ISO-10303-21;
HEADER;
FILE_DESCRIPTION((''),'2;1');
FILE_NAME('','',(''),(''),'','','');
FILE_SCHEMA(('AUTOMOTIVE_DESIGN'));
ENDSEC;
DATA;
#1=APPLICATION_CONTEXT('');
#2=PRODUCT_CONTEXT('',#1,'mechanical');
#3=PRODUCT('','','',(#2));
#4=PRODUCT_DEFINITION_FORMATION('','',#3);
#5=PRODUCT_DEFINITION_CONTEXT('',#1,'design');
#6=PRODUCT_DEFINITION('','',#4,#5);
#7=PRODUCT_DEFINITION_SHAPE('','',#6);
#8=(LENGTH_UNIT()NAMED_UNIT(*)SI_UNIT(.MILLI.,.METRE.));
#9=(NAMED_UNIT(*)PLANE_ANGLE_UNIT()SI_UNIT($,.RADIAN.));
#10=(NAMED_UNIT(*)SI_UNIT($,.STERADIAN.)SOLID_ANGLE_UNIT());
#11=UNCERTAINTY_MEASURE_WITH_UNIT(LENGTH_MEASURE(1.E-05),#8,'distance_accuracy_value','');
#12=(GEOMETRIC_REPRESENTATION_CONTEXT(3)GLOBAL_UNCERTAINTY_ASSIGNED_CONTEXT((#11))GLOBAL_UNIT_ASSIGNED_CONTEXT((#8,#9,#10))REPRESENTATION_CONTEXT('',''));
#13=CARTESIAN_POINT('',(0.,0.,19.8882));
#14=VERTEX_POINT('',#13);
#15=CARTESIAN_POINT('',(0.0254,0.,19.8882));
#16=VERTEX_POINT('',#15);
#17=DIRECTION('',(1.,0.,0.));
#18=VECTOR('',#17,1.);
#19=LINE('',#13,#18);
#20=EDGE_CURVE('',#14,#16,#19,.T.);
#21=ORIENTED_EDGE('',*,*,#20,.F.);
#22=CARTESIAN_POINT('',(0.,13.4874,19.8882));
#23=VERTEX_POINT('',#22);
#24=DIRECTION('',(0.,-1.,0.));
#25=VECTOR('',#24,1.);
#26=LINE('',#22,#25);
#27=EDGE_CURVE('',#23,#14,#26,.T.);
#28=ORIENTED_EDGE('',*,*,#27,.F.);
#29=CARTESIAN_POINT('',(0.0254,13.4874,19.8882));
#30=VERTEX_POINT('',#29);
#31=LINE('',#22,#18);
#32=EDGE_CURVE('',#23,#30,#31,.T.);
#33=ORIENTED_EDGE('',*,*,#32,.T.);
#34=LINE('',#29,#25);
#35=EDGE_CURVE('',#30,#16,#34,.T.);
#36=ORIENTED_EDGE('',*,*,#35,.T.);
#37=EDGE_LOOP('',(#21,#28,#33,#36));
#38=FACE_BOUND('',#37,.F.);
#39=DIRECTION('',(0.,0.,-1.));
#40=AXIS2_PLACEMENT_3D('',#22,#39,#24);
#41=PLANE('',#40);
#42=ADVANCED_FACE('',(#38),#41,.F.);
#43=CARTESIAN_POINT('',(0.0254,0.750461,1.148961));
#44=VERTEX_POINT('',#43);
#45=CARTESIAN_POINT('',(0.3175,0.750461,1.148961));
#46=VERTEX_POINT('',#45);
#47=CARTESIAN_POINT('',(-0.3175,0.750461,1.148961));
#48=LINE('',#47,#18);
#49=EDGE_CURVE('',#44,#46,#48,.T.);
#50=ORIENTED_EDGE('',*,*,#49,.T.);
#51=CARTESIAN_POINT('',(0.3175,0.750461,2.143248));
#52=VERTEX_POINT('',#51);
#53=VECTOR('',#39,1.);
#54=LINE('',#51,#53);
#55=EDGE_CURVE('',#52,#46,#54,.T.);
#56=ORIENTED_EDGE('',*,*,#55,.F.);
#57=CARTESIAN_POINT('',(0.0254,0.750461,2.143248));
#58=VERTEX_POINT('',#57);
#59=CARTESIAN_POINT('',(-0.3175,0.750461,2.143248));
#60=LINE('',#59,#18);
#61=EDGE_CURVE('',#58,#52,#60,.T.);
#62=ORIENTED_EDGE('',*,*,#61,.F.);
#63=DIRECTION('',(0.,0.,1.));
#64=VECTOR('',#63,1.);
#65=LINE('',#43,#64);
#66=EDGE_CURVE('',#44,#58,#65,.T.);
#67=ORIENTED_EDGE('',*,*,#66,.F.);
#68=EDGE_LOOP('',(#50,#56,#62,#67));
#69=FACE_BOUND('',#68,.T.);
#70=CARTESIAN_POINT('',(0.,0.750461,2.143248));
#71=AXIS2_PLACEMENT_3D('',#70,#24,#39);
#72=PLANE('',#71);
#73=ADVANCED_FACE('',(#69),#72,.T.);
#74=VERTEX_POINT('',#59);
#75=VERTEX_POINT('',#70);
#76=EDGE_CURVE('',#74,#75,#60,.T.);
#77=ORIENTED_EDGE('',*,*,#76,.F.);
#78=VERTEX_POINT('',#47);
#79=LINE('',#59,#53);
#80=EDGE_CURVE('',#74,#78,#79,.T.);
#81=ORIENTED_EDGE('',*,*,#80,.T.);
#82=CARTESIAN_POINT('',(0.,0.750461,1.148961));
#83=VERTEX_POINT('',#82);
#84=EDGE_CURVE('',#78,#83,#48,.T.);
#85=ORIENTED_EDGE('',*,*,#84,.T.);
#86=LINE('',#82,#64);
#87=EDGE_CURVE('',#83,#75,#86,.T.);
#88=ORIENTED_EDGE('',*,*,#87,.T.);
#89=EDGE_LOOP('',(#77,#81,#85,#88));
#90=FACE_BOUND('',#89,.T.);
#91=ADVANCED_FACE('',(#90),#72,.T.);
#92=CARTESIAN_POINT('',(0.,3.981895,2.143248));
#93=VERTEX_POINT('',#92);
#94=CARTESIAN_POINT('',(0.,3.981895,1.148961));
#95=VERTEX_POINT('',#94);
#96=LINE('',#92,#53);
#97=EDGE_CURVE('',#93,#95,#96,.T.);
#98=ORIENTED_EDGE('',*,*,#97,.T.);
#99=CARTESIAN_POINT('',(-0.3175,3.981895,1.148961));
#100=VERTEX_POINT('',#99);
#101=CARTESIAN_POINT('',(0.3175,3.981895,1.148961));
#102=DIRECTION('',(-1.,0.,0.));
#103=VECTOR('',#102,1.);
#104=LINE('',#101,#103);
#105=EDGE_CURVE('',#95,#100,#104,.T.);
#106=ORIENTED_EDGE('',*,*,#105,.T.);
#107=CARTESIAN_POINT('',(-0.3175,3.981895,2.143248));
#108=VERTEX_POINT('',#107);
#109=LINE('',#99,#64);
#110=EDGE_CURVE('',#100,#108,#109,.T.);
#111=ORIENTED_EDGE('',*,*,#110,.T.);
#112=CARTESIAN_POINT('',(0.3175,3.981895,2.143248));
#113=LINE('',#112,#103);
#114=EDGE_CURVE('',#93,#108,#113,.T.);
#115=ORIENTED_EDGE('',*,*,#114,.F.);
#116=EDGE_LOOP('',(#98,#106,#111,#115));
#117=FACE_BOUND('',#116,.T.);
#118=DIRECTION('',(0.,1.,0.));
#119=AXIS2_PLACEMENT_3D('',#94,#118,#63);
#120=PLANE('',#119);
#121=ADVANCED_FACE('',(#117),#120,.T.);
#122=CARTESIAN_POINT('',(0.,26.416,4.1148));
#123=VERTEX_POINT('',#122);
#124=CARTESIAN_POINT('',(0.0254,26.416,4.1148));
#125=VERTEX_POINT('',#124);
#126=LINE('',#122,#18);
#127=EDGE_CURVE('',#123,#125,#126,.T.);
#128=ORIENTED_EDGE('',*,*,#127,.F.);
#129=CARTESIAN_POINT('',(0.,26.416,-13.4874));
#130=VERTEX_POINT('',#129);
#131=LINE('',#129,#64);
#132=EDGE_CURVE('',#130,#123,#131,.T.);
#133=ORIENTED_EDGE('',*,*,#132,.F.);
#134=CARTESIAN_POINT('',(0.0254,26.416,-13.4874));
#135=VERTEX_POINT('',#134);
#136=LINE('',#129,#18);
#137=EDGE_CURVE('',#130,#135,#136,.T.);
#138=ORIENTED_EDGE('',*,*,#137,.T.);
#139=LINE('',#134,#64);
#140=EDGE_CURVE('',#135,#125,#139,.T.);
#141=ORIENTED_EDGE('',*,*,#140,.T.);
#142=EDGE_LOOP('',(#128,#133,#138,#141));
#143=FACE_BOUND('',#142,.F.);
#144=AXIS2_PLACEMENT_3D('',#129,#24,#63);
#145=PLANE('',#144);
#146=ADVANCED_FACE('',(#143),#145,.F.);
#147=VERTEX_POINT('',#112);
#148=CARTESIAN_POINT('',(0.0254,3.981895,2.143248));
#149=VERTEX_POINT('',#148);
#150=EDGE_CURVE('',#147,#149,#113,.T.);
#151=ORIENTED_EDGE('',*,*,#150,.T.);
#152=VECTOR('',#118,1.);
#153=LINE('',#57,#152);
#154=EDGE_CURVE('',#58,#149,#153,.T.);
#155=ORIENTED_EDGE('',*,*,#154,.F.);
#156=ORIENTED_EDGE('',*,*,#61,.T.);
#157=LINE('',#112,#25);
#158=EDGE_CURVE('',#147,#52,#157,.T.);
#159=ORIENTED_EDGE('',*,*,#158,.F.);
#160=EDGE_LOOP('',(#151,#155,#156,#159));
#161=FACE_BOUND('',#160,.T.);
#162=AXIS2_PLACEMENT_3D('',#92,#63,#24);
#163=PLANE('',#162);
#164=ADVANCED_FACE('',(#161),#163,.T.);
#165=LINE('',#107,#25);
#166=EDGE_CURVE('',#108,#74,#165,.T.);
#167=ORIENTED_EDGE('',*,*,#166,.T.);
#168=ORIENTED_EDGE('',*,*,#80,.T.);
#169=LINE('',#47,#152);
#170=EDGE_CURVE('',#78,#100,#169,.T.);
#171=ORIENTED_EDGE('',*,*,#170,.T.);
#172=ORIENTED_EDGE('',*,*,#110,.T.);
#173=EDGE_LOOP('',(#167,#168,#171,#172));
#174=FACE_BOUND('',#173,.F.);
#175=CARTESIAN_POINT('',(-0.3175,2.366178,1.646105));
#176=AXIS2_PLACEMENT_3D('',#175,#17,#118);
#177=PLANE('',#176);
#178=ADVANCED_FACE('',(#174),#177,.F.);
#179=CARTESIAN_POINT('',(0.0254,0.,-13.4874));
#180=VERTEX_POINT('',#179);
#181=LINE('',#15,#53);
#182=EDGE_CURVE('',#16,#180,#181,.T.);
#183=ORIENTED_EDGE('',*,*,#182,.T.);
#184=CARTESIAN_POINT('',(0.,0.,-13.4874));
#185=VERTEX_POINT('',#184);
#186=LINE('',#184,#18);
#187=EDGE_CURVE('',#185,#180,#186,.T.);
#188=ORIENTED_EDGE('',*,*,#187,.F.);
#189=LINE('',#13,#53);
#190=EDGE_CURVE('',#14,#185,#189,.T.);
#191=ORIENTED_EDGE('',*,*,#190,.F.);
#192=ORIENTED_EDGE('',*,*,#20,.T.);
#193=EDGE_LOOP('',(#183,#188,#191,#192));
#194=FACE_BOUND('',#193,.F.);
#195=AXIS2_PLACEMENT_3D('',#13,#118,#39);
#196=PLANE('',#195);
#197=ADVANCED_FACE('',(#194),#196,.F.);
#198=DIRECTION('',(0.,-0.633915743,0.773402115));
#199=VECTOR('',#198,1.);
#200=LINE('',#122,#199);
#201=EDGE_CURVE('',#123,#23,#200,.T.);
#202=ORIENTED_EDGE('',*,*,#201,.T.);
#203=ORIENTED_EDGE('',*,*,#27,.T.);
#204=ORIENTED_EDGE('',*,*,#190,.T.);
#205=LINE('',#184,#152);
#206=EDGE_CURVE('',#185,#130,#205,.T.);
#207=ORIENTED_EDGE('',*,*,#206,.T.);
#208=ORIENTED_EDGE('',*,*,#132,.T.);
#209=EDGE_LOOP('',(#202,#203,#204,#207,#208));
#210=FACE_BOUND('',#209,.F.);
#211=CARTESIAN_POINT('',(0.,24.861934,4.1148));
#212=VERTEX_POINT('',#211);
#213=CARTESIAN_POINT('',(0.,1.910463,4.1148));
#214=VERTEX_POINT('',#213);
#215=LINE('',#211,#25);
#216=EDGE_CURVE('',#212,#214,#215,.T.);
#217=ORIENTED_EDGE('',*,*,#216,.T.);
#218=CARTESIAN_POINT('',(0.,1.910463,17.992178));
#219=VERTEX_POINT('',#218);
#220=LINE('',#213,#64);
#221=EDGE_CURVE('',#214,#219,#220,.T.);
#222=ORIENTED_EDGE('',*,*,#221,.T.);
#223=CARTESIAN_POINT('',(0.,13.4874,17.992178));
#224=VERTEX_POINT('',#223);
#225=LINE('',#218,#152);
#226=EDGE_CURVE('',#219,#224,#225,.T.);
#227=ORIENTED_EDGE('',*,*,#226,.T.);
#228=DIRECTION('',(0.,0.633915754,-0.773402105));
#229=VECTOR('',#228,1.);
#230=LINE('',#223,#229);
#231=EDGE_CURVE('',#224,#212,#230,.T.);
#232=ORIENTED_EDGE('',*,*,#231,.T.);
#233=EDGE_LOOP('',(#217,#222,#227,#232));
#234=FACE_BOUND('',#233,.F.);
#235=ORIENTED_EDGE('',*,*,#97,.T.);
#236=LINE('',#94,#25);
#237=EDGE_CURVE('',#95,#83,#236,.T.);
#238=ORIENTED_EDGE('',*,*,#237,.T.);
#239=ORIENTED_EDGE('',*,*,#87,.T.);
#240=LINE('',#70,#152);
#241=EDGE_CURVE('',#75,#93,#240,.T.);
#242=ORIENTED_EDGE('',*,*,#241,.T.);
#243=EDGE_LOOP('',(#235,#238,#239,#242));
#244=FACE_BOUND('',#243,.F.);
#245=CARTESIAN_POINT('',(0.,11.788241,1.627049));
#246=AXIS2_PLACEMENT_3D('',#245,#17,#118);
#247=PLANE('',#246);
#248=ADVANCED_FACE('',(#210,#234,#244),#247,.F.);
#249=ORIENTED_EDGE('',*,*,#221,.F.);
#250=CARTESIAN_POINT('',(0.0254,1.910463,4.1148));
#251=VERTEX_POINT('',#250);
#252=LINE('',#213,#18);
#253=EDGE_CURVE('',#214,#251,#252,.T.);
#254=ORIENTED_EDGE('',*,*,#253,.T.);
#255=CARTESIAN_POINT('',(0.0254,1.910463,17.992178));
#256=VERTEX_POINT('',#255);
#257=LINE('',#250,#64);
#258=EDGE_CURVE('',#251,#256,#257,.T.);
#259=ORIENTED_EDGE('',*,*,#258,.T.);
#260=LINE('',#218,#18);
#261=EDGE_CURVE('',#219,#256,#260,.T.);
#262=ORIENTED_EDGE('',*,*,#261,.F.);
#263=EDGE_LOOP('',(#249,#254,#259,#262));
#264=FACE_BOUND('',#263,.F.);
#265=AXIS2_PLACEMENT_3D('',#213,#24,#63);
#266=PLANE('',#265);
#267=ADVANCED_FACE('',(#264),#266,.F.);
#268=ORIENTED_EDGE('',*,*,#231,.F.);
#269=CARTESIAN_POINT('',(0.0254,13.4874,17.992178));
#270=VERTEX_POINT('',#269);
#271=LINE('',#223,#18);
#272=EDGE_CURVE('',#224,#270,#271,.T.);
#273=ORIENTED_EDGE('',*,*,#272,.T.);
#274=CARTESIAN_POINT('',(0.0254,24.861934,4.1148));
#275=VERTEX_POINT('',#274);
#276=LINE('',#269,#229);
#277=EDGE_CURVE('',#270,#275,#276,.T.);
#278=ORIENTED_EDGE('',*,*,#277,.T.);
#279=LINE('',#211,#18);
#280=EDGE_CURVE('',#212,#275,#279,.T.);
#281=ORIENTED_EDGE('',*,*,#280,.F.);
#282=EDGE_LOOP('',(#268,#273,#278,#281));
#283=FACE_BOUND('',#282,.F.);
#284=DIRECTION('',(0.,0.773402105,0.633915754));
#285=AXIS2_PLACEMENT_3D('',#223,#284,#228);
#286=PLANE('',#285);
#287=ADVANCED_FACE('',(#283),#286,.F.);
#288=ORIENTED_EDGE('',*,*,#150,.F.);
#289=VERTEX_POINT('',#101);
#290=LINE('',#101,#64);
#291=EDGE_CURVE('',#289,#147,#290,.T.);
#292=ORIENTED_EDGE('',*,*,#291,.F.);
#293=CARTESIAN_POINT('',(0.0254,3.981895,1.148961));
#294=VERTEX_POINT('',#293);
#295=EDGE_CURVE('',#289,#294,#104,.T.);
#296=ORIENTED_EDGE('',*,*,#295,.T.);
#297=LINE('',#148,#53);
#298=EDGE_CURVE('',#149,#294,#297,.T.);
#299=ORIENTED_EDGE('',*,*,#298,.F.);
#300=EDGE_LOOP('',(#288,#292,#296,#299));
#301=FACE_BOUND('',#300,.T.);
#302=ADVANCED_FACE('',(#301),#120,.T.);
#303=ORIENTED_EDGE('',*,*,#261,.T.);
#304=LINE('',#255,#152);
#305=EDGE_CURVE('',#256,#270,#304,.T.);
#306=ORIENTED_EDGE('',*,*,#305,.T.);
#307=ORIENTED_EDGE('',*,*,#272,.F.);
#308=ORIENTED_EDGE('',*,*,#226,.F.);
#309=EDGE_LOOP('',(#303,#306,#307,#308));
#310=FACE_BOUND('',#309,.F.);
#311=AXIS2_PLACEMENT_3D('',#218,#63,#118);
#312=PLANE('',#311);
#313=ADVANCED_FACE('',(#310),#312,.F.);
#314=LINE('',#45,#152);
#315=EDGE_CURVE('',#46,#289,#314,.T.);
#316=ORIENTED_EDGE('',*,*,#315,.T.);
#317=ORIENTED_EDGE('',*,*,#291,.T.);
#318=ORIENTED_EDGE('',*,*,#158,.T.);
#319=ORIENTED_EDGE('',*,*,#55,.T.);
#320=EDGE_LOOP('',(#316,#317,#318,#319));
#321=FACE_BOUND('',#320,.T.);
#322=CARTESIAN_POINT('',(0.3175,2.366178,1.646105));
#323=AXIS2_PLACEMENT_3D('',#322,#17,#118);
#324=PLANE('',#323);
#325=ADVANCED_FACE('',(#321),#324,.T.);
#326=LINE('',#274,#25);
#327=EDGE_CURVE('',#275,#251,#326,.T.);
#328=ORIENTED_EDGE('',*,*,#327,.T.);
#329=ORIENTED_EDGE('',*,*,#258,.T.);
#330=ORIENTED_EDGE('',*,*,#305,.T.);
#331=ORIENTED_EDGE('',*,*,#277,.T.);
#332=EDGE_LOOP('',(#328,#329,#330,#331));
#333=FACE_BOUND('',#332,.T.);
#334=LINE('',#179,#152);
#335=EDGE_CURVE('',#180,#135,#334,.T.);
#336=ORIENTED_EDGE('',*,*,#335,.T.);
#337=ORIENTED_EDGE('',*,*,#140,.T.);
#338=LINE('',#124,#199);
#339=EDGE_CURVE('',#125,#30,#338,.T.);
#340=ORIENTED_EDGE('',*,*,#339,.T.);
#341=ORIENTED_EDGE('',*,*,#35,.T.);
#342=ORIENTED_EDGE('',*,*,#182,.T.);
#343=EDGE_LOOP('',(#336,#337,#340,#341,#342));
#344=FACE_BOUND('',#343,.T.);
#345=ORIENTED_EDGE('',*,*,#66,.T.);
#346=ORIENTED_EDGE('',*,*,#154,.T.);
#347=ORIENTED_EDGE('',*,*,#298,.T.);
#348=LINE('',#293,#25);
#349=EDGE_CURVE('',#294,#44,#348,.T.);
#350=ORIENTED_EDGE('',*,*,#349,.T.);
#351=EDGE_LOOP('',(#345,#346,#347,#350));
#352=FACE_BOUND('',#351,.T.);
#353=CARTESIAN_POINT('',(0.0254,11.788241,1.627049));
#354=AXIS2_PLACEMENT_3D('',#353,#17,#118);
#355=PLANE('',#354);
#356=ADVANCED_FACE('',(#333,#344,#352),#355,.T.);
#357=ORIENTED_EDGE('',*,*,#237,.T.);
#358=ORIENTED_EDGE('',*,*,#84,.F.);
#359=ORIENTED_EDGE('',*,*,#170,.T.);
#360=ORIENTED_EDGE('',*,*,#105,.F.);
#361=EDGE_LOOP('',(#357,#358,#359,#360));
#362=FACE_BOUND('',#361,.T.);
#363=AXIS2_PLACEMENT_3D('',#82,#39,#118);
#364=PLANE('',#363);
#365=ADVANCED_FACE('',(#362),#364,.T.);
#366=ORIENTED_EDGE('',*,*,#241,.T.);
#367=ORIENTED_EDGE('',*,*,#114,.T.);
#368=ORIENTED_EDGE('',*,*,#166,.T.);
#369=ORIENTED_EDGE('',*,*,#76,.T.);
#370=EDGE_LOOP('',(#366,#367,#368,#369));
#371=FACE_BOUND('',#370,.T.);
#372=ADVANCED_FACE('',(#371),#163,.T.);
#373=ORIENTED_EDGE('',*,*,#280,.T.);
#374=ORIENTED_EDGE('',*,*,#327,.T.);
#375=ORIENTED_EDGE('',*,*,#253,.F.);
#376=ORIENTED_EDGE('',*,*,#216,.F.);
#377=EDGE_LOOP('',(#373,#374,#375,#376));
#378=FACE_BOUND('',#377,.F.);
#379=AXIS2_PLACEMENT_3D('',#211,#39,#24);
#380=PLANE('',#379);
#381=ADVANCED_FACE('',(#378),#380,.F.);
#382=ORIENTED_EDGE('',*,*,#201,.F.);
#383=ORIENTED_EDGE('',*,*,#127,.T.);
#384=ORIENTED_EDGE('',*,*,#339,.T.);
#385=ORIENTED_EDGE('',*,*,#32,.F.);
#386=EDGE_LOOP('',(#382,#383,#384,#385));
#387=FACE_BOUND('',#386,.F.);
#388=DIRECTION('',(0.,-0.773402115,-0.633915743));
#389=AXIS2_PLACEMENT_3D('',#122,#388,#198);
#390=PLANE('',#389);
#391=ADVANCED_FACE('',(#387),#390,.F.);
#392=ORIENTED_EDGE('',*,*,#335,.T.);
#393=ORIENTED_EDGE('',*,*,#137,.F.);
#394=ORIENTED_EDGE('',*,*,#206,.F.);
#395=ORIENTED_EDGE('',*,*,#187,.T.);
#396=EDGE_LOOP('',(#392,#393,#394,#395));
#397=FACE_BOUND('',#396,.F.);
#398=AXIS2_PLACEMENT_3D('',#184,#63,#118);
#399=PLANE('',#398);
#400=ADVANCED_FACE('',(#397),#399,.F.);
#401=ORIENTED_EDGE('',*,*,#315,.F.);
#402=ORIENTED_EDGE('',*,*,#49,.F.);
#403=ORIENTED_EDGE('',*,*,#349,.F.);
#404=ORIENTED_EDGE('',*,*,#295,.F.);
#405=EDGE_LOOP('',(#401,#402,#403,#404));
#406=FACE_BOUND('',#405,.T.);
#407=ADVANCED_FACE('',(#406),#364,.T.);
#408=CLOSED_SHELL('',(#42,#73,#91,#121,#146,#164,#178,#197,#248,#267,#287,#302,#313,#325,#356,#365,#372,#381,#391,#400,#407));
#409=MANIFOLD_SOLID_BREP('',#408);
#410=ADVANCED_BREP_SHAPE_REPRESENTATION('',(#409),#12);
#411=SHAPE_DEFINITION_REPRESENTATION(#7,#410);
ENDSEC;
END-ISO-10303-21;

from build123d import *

# Parameters (mm, degrees)
F1_DEPTH = 0.3175
F2_DEPTH = 0.0254


with BuildPart() as f1:
    # F0 (on Right) → F1 (new body, symmetric)
    with BuildSketch(Plane.YZ):
        Polygon((3.981895, 2.143248), (1.910463, 2.143248), (0.750461, 2.143248), (0.750461, 1.148961), (3.981895, 1.148961), align=None)
    extrude(amount=F1_DEPTH, both=True)

    # F0 (on Right) → F2 (join)
    with BuildSketch(Plane.YZ):
        Polygon((13.4874, 19.8882), (0, 19.8882), (0, -13.4874), (26.416, -13.4874), (26.416, 4.1148), align=None)
        Polygon((0.750461, 2.143248), (1.910463, 2.143248), (3.981895, 2.143248), (3.981895, 1.148961), (0.750461, 1.148961), align=None, mode=Mode.SUBTRACT)
        Polygon((24.861934, 4.1148), (1.910463, 4.1148), (1.910463, 17.992178), (13.4874, 17.992178), align=None, mode=Mode.SUBTRACT)
    extrude(amount=F2_DEPTH)


solid = f1.part
